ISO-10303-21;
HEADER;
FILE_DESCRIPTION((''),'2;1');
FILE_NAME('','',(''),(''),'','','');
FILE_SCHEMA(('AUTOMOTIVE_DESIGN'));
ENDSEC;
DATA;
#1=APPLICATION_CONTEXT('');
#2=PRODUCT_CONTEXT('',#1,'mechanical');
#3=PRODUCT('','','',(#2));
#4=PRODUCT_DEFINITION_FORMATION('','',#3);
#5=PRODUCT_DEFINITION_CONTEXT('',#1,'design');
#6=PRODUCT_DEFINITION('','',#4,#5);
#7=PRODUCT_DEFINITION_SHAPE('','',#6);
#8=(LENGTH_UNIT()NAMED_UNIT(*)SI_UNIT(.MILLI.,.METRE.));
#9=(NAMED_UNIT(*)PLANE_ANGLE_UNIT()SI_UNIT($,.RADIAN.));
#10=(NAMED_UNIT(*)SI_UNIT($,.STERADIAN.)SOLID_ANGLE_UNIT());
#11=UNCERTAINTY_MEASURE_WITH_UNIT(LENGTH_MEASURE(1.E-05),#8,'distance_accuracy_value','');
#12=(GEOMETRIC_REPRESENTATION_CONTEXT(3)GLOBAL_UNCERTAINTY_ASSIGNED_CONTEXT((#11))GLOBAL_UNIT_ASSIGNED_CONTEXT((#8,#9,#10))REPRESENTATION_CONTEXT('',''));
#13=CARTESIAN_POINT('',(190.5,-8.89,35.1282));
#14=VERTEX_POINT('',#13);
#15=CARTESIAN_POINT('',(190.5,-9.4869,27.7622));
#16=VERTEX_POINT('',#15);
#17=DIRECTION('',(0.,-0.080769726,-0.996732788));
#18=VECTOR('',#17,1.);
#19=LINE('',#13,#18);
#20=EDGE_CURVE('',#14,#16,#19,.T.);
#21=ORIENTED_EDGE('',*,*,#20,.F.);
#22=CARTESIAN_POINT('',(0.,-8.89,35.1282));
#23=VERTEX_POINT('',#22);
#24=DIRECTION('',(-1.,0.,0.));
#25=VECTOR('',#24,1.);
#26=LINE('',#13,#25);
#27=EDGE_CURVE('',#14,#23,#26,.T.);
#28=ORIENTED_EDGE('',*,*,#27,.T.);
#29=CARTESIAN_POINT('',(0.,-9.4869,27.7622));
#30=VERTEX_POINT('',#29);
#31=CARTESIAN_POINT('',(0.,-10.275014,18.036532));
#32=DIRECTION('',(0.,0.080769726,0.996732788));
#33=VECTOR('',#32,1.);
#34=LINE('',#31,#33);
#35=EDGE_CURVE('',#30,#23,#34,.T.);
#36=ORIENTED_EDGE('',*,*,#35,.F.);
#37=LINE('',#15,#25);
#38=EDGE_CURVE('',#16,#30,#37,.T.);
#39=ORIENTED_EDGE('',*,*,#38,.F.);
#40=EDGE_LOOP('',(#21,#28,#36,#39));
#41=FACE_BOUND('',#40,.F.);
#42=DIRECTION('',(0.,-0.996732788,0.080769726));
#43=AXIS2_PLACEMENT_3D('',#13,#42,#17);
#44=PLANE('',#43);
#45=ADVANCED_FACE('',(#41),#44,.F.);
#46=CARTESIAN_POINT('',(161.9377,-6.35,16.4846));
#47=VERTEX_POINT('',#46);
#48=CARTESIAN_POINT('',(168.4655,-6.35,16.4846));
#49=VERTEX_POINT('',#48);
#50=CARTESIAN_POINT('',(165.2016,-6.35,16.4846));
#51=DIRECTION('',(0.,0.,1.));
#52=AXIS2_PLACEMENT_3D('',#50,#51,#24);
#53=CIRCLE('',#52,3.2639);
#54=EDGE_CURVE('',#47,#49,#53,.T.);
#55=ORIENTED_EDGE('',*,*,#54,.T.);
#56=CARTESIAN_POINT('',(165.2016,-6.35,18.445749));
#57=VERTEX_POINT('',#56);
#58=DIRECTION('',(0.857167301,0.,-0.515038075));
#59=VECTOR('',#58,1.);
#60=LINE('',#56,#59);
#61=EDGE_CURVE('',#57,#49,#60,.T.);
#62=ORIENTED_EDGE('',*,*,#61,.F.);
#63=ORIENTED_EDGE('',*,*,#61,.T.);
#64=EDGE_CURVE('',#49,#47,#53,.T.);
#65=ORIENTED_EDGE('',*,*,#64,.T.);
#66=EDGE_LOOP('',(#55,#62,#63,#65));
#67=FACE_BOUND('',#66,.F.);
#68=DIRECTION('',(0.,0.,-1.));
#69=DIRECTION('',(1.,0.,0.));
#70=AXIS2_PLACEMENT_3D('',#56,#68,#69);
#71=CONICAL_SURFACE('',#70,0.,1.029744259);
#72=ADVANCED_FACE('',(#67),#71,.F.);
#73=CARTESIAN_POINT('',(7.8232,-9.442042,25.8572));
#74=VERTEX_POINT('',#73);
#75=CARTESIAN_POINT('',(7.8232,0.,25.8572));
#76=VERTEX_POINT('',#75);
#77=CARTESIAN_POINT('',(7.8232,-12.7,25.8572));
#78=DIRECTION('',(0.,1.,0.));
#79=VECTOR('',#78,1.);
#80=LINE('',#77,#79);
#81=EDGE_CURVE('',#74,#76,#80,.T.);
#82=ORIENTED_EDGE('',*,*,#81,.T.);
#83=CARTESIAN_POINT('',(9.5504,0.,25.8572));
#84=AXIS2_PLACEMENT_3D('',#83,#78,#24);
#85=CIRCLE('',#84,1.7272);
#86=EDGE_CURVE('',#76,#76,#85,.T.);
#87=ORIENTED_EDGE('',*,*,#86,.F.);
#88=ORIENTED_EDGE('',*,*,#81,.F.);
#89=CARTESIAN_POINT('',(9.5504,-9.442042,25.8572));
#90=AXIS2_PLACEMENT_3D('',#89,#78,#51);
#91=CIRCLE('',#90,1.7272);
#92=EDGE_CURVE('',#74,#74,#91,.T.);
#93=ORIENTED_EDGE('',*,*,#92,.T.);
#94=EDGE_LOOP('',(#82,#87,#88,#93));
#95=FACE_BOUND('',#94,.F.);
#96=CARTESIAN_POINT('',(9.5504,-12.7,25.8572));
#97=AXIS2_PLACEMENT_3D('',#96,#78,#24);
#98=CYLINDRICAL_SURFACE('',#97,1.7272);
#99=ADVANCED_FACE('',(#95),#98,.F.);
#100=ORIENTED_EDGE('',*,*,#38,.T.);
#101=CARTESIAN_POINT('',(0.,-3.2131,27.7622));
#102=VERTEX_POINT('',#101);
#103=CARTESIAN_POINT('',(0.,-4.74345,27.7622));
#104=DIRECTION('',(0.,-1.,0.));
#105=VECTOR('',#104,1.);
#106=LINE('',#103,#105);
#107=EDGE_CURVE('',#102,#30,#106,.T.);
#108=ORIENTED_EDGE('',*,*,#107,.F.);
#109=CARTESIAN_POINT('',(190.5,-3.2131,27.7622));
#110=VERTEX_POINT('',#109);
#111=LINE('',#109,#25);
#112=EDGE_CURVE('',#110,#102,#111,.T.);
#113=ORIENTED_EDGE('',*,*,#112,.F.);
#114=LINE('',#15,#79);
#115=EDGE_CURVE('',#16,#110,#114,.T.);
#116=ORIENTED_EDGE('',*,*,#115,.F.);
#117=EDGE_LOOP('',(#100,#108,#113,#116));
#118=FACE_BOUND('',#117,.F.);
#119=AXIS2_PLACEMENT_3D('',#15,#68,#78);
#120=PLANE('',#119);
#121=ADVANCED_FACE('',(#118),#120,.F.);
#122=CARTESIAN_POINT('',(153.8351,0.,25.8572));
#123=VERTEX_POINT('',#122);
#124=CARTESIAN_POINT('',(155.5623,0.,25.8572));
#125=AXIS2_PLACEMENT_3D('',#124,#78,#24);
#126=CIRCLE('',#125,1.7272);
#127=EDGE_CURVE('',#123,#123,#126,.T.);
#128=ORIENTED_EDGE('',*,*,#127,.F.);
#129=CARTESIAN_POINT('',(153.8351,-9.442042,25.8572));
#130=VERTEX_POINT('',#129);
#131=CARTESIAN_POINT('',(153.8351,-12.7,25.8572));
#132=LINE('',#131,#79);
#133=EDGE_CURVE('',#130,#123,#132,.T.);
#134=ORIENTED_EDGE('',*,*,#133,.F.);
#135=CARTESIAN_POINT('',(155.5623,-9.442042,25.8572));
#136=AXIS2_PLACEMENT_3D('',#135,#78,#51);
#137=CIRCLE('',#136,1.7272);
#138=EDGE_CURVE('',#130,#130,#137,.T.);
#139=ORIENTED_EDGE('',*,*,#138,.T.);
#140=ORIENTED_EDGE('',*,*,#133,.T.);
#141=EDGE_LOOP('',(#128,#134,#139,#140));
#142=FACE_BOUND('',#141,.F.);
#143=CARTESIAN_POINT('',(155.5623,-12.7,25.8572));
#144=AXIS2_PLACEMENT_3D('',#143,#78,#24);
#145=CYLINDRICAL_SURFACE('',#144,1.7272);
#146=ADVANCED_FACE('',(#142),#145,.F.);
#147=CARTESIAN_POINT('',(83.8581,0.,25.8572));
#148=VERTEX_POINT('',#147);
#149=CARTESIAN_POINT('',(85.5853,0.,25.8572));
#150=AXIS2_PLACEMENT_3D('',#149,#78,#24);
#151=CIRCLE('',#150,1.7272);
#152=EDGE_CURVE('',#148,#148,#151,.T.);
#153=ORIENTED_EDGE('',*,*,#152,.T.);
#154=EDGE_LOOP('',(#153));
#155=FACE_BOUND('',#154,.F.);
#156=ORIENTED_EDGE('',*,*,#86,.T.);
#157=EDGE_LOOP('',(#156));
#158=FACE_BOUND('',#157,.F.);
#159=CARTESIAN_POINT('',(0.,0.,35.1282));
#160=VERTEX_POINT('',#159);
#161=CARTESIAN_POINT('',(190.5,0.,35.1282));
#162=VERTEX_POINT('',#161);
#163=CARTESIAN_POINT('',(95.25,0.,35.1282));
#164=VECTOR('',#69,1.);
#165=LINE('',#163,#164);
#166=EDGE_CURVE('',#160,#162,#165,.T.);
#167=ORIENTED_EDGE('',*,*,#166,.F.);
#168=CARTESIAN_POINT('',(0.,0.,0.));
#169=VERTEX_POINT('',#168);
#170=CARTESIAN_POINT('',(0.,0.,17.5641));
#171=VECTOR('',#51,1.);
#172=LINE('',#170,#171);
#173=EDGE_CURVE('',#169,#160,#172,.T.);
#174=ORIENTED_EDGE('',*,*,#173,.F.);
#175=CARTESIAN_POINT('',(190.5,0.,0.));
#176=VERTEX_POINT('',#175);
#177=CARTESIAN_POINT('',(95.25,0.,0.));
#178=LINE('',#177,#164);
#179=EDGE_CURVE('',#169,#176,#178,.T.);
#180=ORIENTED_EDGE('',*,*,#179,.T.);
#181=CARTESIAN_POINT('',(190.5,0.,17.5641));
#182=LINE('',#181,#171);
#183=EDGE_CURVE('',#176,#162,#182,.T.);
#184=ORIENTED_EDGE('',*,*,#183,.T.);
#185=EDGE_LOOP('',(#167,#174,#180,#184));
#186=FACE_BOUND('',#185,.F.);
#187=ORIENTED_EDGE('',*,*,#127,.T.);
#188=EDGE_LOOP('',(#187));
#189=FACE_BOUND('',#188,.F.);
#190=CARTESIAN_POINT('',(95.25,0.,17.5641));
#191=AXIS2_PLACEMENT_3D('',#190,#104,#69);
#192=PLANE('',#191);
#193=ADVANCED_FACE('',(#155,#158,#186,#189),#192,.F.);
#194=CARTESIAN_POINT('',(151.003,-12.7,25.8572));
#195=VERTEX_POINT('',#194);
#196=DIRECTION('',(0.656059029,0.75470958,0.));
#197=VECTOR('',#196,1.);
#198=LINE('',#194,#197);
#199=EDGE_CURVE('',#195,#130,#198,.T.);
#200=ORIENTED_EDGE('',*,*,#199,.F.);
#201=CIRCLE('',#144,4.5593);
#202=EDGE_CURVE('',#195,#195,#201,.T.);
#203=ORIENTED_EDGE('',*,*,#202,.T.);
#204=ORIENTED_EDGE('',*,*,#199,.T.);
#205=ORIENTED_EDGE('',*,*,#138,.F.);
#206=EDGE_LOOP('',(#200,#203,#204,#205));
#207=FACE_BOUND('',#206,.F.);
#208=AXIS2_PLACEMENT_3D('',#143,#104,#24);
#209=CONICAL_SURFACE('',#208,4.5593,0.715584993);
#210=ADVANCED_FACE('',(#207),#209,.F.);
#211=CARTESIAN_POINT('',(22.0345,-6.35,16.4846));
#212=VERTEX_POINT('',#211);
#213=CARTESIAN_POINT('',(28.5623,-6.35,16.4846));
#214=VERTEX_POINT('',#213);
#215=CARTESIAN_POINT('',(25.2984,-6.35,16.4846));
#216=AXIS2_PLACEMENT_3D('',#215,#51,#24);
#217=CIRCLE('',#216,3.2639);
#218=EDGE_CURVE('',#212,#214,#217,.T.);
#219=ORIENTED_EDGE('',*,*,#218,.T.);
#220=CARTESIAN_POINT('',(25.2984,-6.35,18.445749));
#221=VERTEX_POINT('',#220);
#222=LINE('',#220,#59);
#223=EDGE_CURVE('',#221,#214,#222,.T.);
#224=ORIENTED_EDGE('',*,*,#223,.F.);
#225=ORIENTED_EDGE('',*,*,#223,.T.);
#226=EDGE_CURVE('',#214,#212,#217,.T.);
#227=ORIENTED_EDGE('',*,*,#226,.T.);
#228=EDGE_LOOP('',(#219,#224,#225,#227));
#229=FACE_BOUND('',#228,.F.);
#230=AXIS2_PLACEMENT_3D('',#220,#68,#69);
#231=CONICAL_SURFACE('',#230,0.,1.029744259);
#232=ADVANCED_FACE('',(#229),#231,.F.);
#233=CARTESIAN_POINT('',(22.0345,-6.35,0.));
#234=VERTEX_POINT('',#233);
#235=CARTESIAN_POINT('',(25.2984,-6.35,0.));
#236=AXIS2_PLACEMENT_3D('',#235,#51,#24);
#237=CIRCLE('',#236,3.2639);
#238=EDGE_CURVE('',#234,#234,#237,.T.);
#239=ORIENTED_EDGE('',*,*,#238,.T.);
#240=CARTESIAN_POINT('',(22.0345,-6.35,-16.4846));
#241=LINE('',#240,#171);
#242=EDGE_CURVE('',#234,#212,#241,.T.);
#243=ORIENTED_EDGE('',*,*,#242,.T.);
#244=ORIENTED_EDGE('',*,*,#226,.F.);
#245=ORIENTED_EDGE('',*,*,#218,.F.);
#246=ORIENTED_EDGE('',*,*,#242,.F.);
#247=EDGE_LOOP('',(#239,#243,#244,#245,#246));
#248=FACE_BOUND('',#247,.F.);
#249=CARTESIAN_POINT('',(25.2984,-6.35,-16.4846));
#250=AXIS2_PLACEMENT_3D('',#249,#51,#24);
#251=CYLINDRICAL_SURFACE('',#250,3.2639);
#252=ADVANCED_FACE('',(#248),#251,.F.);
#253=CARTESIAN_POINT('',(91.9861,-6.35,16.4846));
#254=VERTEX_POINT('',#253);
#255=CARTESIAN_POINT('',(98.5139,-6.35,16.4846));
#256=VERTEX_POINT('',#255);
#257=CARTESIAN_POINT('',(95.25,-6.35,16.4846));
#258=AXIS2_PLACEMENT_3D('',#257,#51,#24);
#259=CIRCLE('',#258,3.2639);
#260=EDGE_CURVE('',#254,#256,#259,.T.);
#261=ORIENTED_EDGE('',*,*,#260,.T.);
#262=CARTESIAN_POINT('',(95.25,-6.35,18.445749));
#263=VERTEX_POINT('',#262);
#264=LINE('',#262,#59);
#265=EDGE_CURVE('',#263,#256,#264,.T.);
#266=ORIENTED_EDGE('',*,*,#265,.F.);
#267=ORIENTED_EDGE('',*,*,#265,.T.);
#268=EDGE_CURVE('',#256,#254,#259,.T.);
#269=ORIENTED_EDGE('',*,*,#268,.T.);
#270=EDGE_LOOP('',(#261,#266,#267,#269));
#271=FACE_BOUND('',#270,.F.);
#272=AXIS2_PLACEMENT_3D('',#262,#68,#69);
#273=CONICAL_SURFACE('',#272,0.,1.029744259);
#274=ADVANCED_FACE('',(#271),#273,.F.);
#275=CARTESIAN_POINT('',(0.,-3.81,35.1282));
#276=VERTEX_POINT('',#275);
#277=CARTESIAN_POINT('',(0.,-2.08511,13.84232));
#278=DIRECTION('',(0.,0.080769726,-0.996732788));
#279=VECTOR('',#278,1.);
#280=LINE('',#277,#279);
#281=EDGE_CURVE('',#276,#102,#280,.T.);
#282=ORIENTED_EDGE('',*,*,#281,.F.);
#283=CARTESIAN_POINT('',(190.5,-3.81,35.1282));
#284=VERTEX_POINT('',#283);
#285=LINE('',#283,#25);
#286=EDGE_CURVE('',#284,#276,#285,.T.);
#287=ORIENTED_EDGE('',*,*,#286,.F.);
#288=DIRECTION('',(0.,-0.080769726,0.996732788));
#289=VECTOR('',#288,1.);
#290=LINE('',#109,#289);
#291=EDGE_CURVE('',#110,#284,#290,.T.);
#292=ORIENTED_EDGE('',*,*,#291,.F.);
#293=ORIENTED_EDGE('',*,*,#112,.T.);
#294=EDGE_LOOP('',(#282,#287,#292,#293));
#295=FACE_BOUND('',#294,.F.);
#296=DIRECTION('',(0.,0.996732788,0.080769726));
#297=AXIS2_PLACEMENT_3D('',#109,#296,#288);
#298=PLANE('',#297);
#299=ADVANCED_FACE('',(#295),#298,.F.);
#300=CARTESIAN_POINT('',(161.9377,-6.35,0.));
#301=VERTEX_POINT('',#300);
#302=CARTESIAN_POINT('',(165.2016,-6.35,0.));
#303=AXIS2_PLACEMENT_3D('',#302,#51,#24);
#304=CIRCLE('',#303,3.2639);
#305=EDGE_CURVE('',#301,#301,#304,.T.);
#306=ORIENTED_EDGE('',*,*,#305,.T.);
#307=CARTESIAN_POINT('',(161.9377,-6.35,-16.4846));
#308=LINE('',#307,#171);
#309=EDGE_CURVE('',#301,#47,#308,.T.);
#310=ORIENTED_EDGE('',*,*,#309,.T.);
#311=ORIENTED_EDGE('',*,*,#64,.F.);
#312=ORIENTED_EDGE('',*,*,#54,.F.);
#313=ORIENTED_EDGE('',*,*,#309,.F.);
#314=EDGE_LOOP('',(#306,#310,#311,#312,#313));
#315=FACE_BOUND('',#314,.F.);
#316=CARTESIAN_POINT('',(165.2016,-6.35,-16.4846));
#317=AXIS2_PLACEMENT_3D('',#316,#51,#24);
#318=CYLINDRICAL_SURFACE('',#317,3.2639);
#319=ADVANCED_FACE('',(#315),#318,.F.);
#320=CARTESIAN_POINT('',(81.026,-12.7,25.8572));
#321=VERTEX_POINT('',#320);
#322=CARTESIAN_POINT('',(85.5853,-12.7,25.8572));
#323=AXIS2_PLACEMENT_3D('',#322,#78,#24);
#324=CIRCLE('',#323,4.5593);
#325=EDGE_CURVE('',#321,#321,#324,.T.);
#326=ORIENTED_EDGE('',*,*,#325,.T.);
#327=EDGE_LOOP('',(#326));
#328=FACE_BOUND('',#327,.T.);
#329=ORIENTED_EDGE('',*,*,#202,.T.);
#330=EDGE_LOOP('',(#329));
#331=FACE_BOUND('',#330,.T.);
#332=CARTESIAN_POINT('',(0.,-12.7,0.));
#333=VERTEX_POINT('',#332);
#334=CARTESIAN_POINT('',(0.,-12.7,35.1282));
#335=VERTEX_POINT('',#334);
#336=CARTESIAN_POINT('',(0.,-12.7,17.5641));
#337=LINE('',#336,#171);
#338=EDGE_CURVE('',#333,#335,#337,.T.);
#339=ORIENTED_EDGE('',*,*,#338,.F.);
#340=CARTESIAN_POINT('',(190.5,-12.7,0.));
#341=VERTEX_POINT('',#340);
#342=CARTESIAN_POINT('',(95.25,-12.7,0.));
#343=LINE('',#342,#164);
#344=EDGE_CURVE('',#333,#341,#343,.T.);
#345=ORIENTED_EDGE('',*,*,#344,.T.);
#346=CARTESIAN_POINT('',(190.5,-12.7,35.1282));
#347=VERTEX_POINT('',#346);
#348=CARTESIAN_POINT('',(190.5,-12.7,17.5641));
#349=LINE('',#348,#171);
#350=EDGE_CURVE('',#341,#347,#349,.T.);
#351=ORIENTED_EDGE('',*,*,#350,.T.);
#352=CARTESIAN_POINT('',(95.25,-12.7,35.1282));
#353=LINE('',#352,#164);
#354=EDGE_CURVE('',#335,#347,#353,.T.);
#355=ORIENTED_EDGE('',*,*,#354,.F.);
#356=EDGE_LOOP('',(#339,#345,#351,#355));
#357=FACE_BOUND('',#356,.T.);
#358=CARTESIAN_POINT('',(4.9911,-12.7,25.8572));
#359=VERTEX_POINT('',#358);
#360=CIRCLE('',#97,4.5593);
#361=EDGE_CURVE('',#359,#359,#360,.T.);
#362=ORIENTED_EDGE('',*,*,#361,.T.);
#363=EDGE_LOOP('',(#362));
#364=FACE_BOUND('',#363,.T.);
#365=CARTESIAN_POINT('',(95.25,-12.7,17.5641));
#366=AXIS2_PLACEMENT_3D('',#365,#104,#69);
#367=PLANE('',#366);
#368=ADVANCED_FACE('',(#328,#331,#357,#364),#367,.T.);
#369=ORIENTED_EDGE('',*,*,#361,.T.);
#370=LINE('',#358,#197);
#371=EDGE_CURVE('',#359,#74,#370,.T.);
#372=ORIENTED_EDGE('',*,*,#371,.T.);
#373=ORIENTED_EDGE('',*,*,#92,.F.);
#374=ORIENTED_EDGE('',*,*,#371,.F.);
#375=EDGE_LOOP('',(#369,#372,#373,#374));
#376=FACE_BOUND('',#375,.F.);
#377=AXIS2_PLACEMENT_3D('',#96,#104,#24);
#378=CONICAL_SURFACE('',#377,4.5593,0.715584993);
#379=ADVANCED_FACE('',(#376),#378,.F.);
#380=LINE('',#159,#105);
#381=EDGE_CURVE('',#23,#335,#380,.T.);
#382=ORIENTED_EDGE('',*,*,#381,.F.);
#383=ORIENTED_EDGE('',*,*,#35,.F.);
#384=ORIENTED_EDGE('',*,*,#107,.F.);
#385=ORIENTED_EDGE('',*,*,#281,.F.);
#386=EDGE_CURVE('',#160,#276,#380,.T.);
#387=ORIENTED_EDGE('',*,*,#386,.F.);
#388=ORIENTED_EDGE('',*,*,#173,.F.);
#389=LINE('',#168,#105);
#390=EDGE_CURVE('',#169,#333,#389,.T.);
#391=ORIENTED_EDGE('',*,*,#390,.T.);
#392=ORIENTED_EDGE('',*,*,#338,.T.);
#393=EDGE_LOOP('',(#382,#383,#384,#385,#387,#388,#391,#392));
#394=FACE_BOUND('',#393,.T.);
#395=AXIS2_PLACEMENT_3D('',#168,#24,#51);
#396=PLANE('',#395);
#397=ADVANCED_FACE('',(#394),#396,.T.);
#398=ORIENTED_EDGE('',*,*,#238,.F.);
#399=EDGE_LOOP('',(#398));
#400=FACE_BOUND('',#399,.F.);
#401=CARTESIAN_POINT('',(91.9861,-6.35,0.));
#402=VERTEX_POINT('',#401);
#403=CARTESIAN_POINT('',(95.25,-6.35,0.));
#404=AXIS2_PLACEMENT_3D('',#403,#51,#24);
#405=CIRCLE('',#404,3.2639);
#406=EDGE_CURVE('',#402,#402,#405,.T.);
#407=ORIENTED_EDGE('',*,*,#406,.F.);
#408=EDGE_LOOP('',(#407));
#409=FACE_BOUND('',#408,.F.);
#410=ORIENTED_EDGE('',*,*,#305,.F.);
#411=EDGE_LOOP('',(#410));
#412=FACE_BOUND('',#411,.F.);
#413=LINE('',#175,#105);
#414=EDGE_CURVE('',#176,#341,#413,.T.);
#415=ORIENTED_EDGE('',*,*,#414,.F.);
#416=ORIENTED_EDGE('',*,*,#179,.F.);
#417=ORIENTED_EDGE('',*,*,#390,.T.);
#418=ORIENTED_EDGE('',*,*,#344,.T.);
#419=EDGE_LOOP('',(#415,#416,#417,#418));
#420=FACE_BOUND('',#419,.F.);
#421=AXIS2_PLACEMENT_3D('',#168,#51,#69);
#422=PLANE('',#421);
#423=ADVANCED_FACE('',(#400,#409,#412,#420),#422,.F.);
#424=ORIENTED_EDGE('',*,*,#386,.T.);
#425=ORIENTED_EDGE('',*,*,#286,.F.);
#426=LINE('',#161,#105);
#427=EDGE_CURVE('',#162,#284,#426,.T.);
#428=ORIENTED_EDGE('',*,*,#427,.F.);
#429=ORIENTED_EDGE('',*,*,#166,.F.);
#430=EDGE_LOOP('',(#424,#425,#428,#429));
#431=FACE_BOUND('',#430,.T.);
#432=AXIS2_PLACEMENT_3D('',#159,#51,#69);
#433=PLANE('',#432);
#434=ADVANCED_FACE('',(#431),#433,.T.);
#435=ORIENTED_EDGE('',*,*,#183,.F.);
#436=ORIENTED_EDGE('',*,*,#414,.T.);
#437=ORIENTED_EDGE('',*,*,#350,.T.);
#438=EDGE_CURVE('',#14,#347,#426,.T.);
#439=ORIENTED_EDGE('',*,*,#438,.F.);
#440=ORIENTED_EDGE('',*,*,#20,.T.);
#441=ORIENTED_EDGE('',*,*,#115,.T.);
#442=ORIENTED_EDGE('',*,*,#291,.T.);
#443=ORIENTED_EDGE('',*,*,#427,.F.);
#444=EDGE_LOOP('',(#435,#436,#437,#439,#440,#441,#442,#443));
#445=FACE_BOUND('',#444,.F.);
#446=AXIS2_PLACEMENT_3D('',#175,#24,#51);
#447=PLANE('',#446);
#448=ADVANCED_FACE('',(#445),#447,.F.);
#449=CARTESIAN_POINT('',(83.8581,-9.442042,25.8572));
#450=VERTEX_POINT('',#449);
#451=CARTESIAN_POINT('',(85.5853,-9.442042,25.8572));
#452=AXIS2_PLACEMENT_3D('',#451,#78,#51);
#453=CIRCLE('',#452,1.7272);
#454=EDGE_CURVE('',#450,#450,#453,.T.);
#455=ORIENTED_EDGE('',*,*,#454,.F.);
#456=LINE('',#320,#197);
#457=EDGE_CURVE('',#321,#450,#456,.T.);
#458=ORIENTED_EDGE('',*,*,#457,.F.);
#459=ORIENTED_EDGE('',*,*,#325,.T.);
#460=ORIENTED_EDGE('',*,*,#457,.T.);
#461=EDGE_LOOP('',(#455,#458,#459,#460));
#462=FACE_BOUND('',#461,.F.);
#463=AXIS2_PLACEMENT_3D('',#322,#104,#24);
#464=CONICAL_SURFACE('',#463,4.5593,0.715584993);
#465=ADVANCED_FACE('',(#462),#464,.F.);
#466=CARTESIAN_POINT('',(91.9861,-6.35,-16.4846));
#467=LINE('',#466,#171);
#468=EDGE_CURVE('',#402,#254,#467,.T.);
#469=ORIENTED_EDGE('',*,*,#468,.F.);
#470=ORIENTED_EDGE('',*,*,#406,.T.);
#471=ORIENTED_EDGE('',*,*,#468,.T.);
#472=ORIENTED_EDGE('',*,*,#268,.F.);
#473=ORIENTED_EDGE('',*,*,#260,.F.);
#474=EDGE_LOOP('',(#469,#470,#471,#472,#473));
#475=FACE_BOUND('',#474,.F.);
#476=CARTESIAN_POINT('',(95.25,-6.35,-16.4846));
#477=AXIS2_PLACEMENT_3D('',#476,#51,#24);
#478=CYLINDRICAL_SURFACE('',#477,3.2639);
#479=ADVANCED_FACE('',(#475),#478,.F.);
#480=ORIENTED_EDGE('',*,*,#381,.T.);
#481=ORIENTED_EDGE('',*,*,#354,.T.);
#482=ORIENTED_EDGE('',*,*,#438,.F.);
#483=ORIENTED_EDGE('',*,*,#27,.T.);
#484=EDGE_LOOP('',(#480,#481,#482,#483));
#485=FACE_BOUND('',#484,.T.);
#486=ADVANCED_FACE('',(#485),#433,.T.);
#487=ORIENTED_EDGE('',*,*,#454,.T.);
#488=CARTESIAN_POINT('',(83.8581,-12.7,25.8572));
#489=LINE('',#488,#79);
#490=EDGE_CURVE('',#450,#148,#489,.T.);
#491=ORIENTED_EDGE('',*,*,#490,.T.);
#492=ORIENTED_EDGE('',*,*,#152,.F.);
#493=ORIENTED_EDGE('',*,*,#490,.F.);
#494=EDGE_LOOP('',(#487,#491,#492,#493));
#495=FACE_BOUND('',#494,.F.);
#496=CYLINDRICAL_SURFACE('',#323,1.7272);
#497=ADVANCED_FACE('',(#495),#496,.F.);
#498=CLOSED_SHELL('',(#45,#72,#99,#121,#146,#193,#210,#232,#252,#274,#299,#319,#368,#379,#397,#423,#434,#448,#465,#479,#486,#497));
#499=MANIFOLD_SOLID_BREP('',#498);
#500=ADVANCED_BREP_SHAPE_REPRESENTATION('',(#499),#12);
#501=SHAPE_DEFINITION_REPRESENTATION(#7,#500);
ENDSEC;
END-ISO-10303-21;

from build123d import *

# Parameters (mm, degrees)
F0_W           = 190.5
F0_H           = 35.1282
F1_DEPTH       = 12.7
F3_DEPTH       = 190.501
F5_D           = 3.4544
F5_CSINK_D     = 9.1186
F5_CSINK_ANGLE = 82
F7_D           = 6.5278
F7_DEPTH       = 16.4846
F7_TIP         = 1.9611489744


with BuildPart() as f1:
    # F0 (on Front) → F1 (new body)
    with BuildSketch(Plane.XZ):
        with Locations((95.25, 17.5641)):
            Rectangle(F0_W, F0_H)
    extrude(amount=F1_DEPTH)

    # F2 (on face) → F3 (cut, through all)
    with BuildSketch(Plane.YZ.offset(190.5)):
        Polygon((-3.81, 35.1282), (-8.89, 35.1282), (-9.4869, 27.7622), (-3.2131, 27.7622), align=None)
    extrude(amount=-F3_DEPTH, mode=Mode.SUBTRACT)

    # F5 (through all)
    with Locations(Plane.XZ.offset(12.7)):
        with Locations((9.5504, 25.8572), (85.5853, 25.8572), (155.5623, 25.8572)):
            CounterSinkHole(F5_D / 2, F5_CSINK_D / 2, counter_sink_angle=F5_CSINK_ANGLE)

    # F7
    with Locations(Plane(origin=(0, 0, 0), x_dir=(1, 0, 0), z_dir=(0, 0, -1))):
        with Locations((25.2984, 6.35), (95.25, 6.35), (165.2016, 6.35)):
            Hole(F7_D / 2, depth=F7_DEPTH)
            with Locations((0, 0, -(F7_DEPTH + F7_TIP / 2))):  # 118° drill point
                Cone(0, F7_D / 2, F7_TIP, mode=Mode.SUBTRACT)


solid = f1.part
